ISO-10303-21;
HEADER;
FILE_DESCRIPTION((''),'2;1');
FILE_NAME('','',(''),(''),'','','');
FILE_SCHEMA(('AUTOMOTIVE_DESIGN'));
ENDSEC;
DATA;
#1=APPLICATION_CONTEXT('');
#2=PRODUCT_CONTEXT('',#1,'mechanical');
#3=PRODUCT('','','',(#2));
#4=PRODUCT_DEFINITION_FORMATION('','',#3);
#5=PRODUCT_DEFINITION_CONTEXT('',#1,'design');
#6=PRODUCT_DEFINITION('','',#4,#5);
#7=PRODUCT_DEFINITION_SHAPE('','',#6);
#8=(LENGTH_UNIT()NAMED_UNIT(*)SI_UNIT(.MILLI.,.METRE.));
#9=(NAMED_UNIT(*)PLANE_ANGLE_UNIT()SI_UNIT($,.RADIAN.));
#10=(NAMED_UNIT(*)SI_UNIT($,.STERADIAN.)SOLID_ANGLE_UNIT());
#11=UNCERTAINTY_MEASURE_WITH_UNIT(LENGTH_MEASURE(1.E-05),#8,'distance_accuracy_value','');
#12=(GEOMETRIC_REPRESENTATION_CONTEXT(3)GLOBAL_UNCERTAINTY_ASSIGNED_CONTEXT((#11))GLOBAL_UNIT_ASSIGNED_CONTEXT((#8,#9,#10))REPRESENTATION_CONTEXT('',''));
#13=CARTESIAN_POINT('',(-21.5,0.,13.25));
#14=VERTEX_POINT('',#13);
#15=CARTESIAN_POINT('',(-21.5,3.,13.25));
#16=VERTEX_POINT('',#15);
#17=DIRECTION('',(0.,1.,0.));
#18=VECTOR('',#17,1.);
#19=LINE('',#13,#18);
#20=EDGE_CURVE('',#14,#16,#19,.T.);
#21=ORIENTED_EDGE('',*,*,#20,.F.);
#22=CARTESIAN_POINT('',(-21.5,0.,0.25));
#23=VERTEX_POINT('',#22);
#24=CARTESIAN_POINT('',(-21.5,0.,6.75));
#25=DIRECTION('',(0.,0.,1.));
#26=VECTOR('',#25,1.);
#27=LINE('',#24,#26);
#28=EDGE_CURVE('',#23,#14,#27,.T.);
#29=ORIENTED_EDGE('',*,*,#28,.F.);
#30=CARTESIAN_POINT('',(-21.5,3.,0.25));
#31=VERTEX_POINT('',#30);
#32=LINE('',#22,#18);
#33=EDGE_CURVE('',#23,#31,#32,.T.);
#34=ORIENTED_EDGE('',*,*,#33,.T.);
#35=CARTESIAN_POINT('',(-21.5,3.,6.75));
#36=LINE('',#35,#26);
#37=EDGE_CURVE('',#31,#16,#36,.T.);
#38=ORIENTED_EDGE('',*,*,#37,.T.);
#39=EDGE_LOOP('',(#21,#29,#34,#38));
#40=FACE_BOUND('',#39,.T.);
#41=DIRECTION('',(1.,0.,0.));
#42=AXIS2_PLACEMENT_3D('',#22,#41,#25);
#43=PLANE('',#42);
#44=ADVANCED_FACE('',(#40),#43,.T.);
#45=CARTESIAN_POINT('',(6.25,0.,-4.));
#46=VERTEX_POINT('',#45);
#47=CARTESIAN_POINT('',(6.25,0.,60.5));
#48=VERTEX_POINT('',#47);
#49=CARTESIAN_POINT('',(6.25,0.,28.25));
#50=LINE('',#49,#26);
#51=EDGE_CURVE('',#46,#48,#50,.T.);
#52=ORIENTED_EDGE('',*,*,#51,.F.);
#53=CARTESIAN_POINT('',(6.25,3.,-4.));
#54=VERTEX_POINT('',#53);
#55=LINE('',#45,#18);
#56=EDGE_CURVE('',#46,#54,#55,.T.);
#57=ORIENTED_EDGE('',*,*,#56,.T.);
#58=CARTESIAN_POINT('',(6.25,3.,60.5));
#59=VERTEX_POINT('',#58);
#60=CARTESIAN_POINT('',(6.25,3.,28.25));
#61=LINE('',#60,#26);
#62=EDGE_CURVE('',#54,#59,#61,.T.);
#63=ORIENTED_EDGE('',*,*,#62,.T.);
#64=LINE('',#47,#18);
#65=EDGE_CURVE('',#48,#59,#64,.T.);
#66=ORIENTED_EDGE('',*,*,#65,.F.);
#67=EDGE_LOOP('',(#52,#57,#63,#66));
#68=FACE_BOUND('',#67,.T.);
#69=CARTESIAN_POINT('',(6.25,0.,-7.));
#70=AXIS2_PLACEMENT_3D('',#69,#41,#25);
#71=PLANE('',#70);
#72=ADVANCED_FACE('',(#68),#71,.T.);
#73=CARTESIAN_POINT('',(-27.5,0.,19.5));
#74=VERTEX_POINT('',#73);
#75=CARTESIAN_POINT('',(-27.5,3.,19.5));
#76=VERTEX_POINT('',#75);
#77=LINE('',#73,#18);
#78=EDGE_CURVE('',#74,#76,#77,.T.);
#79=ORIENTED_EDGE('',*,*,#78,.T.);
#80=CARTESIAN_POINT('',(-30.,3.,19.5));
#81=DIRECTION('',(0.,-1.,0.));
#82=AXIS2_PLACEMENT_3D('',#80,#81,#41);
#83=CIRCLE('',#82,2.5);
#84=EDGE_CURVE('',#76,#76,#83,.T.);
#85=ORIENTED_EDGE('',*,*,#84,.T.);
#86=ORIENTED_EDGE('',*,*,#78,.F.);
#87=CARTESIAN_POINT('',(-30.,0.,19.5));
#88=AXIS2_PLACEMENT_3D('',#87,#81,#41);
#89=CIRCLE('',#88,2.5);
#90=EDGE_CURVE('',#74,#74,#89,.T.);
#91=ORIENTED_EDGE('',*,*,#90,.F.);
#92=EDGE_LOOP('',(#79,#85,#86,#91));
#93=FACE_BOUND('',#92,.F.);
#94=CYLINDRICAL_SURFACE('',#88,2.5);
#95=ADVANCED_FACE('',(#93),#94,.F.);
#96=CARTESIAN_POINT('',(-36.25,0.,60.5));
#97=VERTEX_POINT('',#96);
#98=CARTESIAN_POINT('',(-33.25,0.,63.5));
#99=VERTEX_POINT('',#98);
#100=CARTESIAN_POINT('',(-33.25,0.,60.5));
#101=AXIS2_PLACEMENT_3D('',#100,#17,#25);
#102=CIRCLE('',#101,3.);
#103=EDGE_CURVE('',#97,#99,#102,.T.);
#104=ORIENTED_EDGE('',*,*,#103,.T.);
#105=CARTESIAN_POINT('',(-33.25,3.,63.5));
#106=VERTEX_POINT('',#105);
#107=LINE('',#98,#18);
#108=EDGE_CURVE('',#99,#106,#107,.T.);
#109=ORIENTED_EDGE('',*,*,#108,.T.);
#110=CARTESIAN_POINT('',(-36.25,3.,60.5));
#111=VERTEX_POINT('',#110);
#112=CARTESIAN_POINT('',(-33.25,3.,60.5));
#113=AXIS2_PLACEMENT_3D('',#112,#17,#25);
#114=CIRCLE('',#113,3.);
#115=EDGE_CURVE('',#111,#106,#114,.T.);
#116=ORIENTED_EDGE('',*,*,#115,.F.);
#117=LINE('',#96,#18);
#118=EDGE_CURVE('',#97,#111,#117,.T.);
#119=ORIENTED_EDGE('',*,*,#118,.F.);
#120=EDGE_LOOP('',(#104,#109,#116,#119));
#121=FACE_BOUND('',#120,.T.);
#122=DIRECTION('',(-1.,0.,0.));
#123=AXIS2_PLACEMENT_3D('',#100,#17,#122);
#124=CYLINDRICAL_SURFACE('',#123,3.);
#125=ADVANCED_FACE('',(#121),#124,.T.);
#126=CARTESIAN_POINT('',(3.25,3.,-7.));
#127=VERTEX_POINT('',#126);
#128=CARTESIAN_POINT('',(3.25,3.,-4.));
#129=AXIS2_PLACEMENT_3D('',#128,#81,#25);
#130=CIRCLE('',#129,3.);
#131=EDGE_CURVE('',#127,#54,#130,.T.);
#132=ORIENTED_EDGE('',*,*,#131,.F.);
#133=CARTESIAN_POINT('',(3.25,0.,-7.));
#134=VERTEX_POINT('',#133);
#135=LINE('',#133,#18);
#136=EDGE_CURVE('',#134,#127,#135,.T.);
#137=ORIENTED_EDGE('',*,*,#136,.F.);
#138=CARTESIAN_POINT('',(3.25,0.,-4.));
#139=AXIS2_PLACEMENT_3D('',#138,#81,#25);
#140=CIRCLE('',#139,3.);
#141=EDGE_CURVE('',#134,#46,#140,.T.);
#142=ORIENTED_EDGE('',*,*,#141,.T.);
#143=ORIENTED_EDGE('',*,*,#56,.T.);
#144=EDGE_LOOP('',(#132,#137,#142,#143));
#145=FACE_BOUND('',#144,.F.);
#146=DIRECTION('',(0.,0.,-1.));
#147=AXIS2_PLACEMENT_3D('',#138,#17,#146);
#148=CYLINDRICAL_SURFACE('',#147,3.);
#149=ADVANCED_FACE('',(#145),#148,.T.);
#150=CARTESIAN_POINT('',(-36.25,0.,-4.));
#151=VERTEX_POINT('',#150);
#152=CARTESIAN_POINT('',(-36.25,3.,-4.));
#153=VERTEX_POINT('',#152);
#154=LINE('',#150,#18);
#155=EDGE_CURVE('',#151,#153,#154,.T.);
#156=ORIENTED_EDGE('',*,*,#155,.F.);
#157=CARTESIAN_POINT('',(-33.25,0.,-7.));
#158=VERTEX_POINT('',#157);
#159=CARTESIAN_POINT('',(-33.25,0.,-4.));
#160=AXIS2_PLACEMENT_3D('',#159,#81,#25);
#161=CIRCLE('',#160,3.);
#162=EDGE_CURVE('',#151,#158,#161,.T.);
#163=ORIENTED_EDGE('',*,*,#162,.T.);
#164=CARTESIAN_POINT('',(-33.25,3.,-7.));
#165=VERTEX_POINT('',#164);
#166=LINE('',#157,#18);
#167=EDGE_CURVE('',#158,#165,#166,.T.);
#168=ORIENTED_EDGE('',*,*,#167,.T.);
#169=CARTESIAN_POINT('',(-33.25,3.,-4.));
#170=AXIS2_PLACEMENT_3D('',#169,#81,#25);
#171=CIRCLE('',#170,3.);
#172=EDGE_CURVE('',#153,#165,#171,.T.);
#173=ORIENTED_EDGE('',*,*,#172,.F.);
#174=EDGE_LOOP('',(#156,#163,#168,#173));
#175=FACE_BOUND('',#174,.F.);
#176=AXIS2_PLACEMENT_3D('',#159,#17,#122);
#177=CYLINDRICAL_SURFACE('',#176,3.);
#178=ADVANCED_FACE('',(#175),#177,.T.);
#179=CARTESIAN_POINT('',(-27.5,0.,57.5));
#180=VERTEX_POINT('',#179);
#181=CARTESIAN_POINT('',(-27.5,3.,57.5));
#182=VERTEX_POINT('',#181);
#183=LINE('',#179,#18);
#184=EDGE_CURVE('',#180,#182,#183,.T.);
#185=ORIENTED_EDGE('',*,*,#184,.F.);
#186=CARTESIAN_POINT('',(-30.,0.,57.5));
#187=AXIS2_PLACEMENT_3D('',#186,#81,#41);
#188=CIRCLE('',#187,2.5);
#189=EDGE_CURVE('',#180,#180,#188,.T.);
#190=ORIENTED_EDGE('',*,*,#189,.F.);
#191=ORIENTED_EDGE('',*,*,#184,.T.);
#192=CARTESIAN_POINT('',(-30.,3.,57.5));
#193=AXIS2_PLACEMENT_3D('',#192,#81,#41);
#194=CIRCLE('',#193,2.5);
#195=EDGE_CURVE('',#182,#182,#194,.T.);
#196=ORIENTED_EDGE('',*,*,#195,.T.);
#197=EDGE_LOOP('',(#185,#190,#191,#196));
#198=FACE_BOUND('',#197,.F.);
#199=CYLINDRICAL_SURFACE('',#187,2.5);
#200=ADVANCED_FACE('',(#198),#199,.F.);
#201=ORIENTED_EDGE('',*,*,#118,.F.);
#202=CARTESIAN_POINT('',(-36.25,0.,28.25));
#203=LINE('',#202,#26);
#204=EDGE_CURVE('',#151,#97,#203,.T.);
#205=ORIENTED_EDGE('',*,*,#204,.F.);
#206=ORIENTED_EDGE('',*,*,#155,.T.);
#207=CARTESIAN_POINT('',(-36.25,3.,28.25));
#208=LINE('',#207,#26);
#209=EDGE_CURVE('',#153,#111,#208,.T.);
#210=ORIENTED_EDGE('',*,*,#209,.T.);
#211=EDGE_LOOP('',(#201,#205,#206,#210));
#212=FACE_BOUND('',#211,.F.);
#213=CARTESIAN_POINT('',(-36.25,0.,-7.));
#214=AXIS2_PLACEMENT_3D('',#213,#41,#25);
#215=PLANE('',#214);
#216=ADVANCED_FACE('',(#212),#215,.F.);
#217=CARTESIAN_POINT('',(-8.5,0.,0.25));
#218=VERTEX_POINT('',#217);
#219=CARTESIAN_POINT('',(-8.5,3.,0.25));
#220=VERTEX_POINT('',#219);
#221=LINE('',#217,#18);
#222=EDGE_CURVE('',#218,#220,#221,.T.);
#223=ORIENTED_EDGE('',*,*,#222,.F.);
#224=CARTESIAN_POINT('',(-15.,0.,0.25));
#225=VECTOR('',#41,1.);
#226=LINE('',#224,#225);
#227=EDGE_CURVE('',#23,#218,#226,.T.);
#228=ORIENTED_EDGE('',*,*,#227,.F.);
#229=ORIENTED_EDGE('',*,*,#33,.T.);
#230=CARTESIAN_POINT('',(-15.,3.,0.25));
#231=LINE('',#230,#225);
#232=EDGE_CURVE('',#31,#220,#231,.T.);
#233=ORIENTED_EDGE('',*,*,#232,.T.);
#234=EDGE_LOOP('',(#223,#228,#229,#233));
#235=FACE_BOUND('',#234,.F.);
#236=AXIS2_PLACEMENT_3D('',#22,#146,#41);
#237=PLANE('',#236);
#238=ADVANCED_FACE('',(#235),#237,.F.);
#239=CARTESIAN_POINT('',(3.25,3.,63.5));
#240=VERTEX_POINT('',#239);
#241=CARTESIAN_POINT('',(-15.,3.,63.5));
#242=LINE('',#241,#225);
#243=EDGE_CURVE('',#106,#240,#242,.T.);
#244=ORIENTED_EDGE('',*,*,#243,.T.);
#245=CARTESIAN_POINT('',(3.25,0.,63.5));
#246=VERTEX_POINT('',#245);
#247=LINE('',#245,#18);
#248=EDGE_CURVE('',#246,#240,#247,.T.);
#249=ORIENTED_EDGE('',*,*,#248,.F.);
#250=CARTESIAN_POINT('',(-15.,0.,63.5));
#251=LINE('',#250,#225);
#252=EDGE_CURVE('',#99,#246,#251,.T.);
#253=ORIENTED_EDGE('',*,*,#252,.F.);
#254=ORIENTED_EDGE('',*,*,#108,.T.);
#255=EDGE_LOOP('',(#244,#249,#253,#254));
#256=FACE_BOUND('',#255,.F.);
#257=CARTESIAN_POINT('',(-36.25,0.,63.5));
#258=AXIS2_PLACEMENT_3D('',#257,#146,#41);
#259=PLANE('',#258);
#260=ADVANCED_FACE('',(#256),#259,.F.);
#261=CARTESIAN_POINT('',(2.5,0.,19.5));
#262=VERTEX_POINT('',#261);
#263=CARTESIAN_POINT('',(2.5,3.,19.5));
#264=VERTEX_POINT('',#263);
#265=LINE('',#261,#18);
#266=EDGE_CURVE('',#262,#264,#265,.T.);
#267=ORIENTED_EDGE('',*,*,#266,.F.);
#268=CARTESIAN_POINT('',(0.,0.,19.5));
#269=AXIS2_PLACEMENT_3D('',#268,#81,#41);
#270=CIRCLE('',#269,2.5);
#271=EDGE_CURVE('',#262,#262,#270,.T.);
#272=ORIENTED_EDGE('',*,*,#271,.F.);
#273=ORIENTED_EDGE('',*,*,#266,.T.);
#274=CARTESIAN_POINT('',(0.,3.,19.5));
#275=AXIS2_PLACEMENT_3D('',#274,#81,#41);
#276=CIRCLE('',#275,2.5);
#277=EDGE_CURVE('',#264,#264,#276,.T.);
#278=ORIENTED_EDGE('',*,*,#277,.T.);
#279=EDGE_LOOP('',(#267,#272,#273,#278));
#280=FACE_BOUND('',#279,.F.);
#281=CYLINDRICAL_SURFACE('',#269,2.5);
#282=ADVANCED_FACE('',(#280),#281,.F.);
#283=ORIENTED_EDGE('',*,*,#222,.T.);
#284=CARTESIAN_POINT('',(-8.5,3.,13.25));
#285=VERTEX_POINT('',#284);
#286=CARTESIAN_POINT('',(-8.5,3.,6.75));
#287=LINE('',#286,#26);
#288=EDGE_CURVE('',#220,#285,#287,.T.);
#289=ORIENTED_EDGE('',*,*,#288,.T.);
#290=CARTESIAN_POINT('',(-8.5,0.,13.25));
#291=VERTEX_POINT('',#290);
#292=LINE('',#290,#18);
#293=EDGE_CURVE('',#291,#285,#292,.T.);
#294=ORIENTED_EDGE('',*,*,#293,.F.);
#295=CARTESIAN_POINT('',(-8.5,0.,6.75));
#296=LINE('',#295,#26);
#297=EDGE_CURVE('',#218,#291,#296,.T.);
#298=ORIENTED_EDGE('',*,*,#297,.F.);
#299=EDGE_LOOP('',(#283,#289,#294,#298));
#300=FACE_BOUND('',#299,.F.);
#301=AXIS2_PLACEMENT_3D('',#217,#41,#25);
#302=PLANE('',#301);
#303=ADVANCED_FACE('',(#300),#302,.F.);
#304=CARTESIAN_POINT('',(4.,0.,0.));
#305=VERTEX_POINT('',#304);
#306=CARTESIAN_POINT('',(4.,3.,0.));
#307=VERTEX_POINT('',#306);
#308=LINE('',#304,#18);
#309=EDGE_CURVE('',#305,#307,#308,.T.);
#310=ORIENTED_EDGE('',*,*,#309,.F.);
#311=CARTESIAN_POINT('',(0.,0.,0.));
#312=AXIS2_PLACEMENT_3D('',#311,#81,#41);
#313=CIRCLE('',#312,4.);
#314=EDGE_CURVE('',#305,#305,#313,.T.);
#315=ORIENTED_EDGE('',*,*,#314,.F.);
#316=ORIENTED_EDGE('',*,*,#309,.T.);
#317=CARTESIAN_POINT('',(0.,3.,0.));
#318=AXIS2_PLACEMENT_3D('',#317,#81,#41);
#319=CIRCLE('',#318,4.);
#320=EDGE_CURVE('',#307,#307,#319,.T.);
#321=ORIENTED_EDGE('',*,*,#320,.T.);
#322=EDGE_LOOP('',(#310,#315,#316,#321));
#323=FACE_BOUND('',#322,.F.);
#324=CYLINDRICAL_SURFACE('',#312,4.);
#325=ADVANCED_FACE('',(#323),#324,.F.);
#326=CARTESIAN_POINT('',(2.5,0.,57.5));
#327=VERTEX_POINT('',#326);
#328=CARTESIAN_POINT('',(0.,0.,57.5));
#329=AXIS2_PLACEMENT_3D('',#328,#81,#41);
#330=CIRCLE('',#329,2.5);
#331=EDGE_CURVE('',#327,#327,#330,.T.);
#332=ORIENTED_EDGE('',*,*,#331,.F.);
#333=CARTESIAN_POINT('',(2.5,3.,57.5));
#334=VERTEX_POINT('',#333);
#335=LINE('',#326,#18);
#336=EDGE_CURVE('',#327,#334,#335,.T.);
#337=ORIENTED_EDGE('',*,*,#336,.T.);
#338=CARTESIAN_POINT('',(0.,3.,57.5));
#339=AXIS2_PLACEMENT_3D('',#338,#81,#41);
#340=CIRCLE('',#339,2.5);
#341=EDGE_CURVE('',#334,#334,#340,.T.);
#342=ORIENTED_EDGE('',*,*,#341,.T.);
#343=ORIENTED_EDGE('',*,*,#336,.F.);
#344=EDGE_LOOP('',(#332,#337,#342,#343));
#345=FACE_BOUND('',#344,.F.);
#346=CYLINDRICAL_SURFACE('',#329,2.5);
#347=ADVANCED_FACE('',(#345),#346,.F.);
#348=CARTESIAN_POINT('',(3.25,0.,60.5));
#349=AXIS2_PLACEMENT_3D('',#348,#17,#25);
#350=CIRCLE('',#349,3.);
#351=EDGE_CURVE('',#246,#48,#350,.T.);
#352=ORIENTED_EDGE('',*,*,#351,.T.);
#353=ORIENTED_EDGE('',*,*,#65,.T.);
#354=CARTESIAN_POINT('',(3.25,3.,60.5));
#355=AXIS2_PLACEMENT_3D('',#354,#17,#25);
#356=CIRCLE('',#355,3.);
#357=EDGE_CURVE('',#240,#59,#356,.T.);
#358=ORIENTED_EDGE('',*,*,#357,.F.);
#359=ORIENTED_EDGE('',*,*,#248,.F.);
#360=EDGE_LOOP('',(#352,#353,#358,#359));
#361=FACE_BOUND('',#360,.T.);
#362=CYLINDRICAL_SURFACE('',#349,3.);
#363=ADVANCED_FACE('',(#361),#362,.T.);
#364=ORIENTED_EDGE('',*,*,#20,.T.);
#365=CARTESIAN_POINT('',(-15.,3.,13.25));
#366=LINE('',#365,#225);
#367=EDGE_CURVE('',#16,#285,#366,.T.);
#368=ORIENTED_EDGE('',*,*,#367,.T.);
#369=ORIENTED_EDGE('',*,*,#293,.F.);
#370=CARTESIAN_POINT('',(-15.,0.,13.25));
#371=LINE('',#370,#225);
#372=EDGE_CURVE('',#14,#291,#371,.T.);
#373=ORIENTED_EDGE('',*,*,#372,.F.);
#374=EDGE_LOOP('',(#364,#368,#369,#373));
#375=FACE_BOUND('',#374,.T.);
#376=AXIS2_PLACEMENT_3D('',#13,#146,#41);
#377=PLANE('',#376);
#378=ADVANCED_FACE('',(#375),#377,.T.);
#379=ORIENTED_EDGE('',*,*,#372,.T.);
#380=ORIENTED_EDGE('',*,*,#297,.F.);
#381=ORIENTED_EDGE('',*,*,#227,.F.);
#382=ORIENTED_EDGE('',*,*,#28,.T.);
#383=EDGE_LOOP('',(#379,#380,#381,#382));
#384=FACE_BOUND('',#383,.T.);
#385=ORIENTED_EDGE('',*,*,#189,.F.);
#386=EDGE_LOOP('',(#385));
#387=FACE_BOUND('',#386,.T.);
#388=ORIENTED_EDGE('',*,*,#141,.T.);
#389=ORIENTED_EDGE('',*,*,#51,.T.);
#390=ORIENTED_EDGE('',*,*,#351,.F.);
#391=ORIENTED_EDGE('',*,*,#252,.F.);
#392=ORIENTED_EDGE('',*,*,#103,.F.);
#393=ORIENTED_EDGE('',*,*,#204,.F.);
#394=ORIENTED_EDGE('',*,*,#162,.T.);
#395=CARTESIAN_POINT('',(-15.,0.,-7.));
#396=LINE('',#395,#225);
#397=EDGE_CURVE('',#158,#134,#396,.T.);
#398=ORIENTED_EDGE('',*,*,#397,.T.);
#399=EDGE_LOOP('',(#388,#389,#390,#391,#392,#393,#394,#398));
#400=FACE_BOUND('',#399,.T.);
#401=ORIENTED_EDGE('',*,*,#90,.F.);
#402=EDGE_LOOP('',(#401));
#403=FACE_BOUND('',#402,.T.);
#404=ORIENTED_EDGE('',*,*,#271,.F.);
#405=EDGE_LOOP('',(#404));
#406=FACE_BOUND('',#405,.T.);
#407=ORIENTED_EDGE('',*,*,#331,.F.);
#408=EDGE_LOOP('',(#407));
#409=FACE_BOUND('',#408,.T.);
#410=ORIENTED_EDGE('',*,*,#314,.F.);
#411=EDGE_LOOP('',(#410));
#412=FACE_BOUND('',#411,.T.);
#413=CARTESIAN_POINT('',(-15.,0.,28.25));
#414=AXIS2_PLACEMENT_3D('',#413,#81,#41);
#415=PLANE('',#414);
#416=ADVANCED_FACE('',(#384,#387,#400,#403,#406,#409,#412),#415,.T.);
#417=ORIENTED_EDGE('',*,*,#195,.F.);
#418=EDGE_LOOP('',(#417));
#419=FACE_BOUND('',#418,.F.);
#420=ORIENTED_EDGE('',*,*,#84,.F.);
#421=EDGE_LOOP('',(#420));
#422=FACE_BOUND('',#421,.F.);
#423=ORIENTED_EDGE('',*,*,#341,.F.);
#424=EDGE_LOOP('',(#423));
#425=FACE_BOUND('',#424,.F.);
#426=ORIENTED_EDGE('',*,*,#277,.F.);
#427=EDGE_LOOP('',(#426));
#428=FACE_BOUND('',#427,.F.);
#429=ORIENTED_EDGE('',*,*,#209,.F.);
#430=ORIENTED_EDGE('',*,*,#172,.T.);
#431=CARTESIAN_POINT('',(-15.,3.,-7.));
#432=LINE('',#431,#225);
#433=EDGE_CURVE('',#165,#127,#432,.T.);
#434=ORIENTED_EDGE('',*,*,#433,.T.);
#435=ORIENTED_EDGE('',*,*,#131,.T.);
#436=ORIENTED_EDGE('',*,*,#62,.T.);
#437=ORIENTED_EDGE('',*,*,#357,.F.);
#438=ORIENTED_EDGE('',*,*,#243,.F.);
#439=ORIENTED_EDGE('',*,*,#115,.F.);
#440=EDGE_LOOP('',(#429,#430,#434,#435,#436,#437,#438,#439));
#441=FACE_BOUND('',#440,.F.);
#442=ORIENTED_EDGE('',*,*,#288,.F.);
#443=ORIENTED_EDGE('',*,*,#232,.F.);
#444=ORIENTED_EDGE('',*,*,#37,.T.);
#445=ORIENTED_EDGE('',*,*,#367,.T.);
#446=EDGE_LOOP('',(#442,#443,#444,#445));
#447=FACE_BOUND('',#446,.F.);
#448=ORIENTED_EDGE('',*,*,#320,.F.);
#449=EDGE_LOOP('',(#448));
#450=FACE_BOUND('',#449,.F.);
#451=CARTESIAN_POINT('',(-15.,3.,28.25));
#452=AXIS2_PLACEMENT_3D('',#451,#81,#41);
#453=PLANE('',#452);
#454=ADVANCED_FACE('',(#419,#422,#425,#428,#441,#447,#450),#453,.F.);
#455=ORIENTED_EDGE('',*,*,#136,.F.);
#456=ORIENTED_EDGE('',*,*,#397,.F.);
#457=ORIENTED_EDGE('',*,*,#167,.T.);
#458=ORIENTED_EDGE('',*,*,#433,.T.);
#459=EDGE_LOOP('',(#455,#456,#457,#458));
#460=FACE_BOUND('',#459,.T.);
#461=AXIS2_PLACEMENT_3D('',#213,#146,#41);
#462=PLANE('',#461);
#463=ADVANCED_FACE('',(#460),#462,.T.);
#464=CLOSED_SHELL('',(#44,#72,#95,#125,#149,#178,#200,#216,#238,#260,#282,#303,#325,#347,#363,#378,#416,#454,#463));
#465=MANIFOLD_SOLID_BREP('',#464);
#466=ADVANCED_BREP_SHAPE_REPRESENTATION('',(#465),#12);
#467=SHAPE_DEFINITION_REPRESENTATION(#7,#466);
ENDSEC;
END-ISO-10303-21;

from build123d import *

# Parameters (mm, degrees)
F0_W     = 42.5
F0_H     = 70.5
F0_R     = 2.5
F0_W_2   = 13
F0_H_2   = 13
F0_R_2   = 4
F1_DEPTH = 3
F2_R     = 3


with BuildPart() as f1:
    # F0 (on Front) → F1 (new body)
    with BuildSketch(Plane.XZ):
        with Locations((-15, 28.25)):
            Rectangle(F0_W, F0_H)
        with Locations((-30, 19.5)):
            Circle(F0_R, mode=Mode.SUBTRACT)
        with Locations((-15, 6.75)):
            Rectangle(F0_W_2, F0_H_2, mode=Mode.SUBTRACT)
        Circle(F0_R_2, mode=Mode.SUBTRACT)
        with Locations((0, 19.5)):
            Circle(F0_R, mode=Mode.SUBTRACT)
        with Locations((-30, 57.5)):
            Circle(F0_R, mode=Mode.SUBTRACT)
        with Locations((0, 57.5)):
            Circle(F0_R, mode=Mode.SUBTRACT)
    extrude(amount=-F1_DEPTH)

    # F2
    f2_edges = [f1.edges().sort_by_distance(p)[0] for p in [
        (-36.25, 1.5, 63.5),
        (6.25, 1.5, 63.5),
        (6.25, 1.5, -7),
        (-36.25, 1.5, -7),
    ]]
    fillet(f2_edges, radius=F2_R)


solid = f1.part
